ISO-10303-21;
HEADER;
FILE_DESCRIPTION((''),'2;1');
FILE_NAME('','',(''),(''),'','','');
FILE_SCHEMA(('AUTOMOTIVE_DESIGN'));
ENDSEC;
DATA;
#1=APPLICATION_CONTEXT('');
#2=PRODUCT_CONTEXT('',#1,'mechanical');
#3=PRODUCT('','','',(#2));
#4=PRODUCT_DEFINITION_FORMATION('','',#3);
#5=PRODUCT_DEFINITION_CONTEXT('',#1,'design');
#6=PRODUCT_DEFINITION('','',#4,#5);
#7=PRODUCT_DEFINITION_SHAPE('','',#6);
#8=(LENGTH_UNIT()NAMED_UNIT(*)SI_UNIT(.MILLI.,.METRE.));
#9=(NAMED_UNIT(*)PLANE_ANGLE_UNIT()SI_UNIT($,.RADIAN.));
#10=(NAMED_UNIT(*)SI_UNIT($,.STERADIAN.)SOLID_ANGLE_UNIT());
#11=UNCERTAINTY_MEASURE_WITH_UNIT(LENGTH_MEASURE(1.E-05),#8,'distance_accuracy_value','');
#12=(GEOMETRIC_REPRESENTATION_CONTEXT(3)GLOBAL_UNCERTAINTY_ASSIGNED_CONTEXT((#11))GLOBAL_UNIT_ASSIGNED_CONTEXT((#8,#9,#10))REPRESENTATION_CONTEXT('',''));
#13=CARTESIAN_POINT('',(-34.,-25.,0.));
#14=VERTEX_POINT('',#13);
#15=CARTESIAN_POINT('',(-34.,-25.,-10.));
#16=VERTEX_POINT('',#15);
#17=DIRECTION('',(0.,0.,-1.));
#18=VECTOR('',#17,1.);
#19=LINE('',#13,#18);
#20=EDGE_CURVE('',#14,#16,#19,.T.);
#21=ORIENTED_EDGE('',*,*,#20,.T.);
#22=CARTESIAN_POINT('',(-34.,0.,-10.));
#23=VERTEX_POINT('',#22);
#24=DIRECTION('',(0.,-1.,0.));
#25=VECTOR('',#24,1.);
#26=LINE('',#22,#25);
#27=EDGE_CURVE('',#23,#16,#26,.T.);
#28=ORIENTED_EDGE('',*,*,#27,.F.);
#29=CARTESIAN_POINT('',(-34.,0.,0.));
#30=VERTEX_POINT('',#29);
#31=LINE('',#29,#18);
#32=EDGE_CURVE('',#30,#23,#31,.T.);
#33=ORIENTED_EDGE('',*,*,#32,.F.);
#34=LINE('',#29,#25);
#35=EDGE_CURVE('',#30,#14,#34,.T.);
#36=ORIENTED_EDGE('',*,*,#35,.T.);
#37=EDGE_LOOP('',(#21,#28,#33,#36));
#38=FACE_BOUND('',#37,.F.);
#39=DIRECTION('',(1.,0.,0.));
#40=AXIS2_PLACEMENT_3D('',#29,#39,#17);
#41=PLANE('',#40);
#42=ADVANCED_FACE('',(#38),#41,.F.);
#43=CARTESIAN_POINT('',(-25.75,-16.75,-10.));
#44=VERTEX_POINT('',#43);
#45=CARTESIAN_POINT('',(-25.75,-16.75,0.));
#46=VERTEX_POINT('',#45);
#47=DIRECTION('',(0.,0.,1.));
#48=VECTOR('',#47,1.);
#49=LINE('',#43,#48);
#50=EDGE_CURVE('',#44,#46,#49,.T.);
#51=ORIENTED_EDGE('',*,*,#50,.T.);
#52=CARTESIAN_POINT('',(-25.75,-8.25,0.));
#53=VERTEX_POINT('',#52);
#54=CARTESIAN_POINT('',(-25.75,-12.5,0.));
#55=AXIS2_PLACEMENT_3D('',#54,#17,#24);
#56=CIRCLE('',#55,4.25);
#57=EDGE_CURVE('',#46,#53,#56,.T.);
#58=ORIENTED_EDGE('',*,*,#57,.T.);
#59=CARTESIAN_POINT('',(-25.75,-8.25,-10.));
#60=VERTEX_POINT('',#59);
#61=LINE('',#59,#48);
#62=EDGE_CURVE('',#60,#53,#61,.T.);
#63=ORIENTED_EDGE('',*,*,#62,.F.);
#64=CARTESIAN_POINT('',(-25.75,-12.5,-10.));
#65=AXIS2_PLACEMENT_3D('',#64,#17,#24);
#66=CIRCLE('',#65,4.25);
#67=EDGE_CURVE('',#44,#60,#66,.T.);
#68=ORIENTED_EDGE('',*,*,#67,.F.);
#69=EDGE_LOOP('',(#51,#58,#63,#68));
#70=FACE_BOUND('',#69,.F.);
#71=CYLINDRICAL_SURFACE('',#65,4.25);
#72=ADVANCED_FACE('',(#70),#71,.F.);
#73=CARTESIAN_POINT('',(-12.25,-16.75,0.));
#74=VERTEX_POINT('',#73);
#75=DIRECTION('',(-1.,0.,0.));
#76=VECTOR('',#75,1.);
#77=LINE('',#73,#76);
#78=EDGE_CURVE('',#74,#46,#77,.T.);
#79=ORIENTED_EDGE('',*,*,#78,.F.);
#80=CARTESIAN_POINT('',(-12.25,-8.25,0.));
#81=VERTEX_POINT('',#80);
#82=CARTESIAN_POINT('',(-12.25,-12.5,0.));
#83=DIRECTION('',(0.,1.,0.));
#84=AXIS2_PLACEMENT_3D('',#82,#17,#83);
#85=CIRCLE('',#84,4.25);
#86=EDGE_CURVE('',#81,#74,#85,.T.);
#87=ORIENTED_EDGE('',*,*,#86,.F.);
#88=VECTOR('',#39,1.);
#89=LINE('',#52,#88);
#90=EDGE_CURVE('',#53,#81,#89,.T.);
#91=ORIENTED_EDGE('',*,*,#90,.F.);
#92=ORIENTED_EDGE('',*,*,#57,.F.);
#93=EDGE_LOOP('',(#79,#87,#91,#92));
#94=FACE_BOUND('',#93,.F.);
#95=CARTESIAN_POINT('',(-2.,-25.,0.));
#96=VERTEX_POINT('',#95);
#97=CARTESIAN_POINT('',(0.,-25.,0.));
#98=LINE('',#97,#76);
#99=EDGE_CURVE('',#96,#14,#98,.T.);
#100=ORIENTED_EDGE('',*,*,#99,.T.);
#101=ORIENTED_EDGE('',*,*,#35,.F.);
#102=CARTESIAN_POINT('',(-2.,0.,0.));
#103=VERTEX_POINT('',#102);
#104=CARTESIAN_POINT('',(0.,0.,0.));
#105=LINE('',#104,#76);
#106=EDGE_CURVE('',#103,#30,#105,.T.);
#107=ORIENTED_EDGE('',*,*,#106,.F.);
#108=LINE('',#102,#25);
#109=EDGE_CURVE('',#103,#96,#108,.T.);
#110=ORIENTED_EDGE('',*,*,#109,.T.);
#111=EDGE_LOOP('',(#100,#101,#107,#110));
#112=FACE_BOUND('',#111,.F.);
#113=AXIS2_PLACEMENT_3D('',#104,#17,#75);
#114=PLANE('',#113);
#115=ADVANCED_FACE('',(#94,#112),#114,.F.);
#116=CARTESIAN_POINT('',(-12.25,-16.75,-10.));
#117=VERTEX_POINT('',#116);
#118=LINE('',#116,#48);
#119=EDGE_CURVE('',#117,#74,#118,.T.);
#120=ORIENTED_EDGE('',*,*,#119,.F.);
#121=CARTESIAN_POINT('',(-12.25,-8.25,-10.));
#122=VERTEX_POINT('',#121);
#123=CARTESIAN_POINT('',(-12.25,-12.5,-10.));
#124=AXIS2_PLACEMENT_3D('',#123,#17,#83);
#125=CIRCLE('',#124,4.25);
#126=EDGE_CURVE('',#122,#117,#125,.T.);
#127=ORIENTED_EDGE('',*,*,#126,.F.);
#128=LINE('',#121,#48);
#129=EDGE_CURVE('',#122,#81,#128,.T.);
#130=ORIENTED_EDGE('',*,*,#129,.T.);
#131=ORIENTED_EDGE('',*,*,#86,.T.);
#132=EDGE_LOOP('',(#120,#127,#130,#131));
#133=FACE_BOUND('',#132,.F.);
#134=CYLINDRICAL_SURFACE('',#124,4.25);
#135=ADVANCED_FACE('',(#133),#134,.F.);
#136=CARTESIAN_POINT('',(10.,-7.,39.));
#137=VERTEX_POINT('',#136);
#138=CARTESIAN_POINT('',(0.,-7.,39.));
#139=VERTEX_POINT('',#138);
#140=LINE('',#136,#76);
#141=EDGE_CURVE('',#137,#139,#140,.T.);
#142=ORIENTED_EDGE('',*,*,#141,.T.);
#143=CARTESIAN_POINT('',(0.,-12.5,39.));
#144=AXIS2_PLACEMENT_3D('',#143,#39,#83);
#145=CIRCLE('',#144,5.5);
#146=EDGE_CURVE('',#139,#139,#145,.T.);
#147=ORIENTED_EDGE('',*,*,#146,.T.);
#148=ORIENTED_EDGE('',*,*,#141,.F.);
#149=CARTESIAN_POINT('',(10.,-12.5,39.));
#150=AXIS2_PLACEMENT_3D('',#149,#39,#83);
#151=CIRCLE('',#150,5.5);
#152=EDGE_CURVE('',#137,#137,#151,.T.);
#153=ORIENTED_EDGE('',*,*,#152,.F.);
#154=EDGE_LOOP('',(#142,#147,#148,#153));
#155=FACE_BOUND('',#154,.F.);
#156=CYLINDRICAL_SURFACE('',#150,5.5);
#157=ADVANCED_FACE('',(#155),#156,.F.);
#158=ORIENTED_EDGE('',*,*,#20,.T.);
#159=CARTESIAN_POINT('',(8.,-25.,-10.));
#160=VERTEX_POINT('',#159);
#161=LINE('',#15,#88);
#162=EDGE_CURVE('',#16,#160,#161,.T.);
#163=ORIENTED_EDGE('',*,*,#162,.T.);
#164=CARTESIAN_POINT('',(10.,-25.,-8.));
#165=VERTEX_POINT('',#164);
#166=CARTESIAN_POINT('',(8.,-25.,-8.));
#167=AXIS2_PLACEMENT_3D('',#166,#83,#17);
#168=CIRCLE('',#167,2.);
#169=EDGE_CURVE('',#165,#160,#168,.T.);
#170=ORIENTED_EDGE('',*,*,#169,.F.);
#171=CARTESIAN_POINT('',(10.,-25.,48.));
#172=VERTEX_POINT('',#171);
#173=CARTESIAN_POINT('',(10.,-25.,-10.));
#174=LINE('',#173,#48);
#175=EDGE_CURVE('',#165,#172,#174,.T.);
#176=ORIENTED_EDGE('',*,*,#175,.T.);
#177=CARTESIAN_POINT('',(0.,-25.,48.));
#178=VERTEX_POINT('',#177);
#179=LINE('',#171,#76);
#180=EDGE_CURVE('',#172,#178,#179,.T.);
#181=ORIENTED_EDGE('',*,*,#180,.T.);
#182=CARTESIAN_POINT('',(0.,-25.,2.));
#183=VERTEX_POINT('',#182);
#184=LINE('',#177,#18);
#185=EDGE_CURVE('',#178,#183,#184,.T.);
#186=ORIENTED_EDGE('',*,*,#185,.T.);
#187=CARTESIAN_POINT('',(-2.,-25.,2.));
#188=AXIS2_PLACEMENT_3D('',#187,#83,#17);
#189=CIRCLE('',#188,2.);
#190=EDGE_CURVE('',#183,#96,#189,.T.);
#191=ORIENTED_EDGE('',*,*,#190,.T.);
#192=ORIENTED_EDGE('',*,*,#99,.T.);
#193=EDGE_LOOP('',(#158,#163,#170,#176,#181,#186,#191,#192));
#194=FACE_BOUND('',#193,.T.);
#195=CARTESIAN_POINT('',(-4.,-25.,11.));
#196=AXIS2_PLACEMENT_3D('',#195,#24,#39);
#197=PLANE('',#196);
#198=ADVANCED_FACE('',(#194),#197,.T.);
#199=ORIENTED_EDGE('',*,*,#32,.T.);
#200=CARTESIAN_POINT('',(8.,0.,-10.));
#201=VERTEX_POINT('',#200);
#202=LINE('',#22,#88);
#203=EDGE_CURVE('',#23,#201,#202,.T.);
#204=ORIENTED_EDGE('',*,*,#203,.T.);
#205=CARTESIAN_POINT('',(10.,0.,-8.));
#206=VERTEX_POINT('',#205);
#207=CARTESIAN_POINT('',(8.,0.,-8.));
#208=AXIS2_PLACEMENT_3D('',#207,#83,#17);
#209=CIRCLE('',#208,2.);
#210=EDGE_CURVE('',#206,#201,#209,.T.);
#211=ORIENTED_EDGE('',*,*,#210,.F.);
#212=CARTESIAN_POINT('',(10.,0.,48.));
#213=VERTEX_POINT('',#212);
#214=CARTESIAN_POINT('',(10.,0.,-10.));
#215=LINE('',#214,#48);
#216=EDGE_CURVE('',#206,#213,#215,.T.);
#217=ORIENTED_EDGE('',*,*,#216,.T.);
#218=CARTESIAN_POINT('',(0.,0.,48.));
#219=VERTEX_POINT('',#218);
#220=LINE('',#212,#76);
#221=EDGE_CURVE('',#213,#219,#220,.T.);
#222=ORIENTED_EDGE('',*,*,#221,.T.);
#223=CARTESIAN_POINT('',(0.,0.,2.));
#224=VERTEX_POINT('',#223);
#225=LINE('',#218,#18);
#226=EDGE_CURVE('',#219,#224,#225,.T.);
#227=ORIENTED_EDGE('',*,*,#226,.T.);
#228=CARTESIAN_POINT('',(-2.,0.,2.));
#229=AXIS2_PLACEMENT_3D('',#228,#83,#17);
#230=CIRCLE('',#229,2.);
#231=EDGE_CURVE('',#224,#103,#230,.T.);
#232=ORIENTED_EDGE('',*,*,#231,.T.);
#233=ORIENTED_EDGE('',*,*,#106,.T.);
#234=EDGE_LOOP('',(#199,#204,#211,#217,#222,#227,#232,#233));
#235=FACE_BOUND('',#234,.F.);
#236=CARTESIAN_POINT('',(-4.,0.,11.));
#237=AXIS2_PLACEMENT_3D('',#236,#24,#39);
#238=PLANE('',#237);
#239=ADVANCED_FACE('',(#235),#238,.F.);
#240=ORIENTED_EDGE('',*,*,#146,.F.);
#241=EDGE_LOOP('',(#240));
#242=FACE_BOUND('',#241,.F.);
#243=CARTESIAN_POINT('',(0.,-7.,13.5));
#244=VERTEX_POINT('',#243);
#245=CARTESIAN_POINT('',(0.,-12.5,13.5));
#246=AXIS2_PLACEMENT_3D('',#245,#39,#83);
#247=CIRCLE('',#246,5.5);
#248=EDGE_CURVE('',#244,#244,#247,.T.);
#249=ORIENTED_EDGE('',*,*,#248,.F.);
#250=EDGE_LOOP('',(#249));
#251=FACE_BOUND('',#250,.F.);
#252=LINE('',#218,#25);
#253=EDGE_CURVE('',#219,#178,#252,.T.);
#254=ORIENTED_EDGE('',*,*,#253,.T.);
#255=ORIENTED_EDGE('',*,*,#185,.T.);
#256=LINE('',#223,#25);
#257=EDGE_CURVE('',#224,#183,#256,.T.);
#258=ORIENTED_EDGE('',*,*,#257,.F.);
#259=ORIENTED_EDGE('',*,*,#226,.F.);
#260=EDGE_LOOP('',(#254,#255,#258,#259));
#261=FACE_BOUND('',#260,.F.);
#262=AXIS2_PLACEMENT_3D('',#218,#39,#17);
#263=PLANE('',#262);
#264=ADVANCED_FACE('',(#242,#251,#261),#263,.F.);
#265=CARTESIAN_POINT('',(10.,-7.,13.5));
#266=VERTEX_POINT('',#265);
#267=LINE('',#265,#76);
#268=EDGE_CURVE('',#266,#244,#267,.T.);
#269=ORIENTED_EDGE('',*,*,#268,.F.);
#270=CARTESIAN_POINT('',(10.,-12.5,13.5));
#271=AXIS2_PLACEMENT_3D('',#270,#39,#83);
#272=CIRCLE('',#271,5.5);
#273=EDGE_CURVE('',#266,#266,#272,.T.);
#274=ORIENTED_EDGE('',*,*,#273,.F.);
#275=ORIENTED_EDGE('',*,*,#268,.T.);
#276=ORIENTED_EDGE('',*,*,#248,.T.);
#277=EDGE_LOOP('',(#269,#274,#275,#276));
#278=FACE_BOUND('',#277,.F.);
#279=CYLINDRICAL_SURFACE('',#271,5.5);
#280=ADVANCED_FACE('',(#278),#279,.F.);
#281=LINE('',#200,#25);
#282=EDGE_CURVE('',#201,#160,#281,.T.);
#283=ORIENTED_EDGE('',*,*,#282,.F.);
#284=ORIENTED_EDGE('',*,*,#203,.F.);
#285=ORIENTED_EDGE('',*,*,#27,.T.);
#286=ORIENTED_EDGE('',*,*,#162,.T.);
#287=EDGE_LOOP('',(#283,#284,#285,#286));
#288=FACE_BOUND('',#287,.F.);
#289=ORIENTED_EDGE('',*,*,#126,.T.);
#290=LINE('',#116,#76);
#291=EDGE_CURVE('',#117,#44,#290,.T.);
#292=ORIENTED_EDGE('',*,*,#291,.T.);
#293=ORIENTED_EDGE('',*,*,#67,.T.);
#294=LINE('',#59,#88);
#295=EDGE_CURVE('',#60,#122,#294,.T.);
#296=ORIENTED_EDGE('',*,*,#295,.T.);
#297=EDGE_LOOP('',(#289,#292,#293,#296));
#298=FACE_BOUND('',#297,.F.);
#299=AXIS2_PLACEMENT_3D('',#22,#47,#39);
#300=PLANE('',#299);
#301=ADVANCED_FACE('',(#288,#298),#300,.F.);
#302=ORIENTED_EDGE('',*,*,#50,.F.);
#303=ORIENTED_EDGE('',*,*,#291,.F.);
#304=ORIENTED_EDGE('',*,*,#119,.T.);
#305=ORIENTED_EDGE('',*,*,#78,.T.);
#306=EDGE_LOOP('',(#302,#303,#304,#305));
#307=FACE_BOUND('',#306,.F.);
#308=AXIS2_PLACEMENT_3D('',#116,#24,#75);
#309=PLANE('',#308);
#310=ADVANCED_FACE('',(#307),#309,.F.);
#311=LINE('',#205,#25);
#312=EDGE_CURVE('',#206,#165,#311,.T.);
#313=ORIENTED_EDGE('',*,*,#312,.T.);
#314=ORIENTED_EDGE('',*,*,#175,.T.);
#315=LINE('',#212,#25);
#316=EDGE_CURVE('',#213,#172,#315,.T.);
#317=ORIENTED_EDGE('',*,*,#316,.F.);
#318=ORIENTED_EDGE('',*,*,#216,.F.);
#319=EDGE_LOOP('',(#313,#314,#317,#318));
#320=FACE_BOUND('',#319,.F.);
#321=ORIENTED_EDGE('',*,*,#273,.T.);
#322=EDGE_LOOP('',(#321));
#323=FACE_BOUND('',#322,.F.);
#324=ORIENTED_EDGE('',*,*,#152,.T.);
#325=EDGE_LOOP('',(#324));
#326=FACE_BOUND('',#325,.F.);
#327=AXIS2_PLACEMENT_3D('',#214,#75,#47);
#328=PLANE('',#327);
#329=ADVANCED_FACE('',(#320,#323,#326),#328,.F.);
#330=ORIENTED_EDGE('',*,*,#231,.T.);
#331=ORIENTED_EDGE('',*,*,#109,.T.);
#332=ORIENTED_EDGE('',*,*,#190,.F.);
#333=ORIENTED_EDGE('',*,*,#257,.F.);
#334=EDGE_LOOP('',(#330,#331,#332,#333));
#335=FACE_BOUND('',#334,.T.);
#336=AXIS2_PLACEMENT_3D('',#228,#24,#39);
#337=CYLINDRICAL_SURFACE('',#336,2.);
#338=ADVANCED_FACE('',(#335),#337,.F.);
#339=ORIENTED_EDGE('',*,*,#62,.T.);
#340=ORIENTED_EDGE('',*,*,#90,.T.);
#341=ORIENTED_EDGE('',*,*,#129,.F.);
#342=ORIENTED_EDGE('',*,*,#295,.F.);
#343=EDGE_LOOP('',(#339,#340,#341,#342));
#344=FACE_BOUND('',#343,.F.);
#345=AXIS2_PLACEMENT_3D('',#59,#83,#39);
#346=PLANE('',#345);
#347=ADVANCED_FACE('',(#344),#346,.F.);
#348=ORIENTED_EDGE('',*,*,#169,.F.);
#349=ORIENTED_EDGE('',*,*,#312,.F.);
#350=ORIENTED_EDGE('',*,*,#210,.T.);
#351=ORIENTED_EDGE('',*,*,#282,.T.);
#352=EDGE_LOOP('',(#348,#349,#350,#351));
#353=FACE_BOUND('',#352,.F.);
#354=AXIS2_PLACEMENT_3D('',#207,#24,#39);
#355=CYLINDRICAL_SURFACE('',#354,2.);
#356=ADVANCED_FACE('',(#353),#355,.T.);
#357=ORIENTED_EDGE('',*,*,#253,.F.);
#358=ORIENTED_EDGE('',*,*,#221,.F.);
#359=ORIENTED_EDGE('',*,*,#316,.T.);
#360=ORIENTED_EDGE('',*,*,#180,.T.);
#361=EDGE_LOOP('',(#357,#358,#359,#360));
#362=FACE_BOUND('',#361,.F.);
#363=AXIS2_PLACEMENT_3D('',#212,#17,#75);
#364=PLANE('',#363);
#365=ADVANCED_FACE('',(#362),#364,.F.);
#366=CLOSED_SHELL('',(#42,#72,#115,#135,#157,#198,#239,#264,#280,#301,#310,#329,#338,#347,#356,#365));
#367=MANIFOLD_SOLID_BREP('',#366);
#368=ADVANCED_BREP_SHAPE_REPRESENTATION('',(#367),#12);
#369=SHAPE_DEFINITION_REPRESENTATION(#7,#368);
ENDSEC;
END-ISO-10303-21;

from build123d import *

# Parameters (mm, degrees)
F1_DEPTH = 25
F3_DEPTH = 10
F4_R     = 5.5
F5_DEPTH = 10
F6_R     = 2
F7_R     = 2


with BuildPart() as f1:
    # F0 (on Front) → F1 (new body)
    with BuildSketch(Plane.XZ):
        Polygon((10, 48), (0, 48), (0, 0), (-34, 0), (-34, -10), (10, -10), align=None)
    extrude(amount=F1_DEPTH)

    # F2 (on face) → F3 (cut)
    with BuildSketch(Plane(origin=(0, 0, -10), x_dir=(1, 0, 0), z_dir=(0, 0, -1))):
        with BuildLine():
            Line((-12.25, 16.75), (-25.75, 16.75))
            ThreePointArc((-25.75, 16.75), (-30, 12.5), (-25.75, 8.25))
            Line((-25.75, 8.25), (-12.25, 8.25))
            ThreePointArc((-12.25, 8.25), (-8, 12.5), (-12.25, 16.75))
        make_face()
    extrude(amount=-F3_DEPTH, mode=Mode.SUBTRACT)

    # F4 (on face) → F5 (cut)
    with BuildSketch(Plane.YZ.offset(10)):
        with Locations((-12.5, 13.5)):
            Circle(F4_R)
        with Locations((-12.5, 39)):
            Circle(F4_R)
    extrude(amount=-F5_DEPTH, mode=Mode.SUBTRACT)

    # F6
    f6_edges = [f1.edges().sort_by_distance(p)[0] for p in [
        (0, -12.5, 0),
    ]]
    fillet(f6_edges, radius=F6_R)

    # F7
    f7_edges = [f1.edges().sort_by_distance(p)[0] for p in [
        (10, -12.5, -10),
    ]]
    fillet(f7_edges, radius=F7_R)


solid = f1.part
